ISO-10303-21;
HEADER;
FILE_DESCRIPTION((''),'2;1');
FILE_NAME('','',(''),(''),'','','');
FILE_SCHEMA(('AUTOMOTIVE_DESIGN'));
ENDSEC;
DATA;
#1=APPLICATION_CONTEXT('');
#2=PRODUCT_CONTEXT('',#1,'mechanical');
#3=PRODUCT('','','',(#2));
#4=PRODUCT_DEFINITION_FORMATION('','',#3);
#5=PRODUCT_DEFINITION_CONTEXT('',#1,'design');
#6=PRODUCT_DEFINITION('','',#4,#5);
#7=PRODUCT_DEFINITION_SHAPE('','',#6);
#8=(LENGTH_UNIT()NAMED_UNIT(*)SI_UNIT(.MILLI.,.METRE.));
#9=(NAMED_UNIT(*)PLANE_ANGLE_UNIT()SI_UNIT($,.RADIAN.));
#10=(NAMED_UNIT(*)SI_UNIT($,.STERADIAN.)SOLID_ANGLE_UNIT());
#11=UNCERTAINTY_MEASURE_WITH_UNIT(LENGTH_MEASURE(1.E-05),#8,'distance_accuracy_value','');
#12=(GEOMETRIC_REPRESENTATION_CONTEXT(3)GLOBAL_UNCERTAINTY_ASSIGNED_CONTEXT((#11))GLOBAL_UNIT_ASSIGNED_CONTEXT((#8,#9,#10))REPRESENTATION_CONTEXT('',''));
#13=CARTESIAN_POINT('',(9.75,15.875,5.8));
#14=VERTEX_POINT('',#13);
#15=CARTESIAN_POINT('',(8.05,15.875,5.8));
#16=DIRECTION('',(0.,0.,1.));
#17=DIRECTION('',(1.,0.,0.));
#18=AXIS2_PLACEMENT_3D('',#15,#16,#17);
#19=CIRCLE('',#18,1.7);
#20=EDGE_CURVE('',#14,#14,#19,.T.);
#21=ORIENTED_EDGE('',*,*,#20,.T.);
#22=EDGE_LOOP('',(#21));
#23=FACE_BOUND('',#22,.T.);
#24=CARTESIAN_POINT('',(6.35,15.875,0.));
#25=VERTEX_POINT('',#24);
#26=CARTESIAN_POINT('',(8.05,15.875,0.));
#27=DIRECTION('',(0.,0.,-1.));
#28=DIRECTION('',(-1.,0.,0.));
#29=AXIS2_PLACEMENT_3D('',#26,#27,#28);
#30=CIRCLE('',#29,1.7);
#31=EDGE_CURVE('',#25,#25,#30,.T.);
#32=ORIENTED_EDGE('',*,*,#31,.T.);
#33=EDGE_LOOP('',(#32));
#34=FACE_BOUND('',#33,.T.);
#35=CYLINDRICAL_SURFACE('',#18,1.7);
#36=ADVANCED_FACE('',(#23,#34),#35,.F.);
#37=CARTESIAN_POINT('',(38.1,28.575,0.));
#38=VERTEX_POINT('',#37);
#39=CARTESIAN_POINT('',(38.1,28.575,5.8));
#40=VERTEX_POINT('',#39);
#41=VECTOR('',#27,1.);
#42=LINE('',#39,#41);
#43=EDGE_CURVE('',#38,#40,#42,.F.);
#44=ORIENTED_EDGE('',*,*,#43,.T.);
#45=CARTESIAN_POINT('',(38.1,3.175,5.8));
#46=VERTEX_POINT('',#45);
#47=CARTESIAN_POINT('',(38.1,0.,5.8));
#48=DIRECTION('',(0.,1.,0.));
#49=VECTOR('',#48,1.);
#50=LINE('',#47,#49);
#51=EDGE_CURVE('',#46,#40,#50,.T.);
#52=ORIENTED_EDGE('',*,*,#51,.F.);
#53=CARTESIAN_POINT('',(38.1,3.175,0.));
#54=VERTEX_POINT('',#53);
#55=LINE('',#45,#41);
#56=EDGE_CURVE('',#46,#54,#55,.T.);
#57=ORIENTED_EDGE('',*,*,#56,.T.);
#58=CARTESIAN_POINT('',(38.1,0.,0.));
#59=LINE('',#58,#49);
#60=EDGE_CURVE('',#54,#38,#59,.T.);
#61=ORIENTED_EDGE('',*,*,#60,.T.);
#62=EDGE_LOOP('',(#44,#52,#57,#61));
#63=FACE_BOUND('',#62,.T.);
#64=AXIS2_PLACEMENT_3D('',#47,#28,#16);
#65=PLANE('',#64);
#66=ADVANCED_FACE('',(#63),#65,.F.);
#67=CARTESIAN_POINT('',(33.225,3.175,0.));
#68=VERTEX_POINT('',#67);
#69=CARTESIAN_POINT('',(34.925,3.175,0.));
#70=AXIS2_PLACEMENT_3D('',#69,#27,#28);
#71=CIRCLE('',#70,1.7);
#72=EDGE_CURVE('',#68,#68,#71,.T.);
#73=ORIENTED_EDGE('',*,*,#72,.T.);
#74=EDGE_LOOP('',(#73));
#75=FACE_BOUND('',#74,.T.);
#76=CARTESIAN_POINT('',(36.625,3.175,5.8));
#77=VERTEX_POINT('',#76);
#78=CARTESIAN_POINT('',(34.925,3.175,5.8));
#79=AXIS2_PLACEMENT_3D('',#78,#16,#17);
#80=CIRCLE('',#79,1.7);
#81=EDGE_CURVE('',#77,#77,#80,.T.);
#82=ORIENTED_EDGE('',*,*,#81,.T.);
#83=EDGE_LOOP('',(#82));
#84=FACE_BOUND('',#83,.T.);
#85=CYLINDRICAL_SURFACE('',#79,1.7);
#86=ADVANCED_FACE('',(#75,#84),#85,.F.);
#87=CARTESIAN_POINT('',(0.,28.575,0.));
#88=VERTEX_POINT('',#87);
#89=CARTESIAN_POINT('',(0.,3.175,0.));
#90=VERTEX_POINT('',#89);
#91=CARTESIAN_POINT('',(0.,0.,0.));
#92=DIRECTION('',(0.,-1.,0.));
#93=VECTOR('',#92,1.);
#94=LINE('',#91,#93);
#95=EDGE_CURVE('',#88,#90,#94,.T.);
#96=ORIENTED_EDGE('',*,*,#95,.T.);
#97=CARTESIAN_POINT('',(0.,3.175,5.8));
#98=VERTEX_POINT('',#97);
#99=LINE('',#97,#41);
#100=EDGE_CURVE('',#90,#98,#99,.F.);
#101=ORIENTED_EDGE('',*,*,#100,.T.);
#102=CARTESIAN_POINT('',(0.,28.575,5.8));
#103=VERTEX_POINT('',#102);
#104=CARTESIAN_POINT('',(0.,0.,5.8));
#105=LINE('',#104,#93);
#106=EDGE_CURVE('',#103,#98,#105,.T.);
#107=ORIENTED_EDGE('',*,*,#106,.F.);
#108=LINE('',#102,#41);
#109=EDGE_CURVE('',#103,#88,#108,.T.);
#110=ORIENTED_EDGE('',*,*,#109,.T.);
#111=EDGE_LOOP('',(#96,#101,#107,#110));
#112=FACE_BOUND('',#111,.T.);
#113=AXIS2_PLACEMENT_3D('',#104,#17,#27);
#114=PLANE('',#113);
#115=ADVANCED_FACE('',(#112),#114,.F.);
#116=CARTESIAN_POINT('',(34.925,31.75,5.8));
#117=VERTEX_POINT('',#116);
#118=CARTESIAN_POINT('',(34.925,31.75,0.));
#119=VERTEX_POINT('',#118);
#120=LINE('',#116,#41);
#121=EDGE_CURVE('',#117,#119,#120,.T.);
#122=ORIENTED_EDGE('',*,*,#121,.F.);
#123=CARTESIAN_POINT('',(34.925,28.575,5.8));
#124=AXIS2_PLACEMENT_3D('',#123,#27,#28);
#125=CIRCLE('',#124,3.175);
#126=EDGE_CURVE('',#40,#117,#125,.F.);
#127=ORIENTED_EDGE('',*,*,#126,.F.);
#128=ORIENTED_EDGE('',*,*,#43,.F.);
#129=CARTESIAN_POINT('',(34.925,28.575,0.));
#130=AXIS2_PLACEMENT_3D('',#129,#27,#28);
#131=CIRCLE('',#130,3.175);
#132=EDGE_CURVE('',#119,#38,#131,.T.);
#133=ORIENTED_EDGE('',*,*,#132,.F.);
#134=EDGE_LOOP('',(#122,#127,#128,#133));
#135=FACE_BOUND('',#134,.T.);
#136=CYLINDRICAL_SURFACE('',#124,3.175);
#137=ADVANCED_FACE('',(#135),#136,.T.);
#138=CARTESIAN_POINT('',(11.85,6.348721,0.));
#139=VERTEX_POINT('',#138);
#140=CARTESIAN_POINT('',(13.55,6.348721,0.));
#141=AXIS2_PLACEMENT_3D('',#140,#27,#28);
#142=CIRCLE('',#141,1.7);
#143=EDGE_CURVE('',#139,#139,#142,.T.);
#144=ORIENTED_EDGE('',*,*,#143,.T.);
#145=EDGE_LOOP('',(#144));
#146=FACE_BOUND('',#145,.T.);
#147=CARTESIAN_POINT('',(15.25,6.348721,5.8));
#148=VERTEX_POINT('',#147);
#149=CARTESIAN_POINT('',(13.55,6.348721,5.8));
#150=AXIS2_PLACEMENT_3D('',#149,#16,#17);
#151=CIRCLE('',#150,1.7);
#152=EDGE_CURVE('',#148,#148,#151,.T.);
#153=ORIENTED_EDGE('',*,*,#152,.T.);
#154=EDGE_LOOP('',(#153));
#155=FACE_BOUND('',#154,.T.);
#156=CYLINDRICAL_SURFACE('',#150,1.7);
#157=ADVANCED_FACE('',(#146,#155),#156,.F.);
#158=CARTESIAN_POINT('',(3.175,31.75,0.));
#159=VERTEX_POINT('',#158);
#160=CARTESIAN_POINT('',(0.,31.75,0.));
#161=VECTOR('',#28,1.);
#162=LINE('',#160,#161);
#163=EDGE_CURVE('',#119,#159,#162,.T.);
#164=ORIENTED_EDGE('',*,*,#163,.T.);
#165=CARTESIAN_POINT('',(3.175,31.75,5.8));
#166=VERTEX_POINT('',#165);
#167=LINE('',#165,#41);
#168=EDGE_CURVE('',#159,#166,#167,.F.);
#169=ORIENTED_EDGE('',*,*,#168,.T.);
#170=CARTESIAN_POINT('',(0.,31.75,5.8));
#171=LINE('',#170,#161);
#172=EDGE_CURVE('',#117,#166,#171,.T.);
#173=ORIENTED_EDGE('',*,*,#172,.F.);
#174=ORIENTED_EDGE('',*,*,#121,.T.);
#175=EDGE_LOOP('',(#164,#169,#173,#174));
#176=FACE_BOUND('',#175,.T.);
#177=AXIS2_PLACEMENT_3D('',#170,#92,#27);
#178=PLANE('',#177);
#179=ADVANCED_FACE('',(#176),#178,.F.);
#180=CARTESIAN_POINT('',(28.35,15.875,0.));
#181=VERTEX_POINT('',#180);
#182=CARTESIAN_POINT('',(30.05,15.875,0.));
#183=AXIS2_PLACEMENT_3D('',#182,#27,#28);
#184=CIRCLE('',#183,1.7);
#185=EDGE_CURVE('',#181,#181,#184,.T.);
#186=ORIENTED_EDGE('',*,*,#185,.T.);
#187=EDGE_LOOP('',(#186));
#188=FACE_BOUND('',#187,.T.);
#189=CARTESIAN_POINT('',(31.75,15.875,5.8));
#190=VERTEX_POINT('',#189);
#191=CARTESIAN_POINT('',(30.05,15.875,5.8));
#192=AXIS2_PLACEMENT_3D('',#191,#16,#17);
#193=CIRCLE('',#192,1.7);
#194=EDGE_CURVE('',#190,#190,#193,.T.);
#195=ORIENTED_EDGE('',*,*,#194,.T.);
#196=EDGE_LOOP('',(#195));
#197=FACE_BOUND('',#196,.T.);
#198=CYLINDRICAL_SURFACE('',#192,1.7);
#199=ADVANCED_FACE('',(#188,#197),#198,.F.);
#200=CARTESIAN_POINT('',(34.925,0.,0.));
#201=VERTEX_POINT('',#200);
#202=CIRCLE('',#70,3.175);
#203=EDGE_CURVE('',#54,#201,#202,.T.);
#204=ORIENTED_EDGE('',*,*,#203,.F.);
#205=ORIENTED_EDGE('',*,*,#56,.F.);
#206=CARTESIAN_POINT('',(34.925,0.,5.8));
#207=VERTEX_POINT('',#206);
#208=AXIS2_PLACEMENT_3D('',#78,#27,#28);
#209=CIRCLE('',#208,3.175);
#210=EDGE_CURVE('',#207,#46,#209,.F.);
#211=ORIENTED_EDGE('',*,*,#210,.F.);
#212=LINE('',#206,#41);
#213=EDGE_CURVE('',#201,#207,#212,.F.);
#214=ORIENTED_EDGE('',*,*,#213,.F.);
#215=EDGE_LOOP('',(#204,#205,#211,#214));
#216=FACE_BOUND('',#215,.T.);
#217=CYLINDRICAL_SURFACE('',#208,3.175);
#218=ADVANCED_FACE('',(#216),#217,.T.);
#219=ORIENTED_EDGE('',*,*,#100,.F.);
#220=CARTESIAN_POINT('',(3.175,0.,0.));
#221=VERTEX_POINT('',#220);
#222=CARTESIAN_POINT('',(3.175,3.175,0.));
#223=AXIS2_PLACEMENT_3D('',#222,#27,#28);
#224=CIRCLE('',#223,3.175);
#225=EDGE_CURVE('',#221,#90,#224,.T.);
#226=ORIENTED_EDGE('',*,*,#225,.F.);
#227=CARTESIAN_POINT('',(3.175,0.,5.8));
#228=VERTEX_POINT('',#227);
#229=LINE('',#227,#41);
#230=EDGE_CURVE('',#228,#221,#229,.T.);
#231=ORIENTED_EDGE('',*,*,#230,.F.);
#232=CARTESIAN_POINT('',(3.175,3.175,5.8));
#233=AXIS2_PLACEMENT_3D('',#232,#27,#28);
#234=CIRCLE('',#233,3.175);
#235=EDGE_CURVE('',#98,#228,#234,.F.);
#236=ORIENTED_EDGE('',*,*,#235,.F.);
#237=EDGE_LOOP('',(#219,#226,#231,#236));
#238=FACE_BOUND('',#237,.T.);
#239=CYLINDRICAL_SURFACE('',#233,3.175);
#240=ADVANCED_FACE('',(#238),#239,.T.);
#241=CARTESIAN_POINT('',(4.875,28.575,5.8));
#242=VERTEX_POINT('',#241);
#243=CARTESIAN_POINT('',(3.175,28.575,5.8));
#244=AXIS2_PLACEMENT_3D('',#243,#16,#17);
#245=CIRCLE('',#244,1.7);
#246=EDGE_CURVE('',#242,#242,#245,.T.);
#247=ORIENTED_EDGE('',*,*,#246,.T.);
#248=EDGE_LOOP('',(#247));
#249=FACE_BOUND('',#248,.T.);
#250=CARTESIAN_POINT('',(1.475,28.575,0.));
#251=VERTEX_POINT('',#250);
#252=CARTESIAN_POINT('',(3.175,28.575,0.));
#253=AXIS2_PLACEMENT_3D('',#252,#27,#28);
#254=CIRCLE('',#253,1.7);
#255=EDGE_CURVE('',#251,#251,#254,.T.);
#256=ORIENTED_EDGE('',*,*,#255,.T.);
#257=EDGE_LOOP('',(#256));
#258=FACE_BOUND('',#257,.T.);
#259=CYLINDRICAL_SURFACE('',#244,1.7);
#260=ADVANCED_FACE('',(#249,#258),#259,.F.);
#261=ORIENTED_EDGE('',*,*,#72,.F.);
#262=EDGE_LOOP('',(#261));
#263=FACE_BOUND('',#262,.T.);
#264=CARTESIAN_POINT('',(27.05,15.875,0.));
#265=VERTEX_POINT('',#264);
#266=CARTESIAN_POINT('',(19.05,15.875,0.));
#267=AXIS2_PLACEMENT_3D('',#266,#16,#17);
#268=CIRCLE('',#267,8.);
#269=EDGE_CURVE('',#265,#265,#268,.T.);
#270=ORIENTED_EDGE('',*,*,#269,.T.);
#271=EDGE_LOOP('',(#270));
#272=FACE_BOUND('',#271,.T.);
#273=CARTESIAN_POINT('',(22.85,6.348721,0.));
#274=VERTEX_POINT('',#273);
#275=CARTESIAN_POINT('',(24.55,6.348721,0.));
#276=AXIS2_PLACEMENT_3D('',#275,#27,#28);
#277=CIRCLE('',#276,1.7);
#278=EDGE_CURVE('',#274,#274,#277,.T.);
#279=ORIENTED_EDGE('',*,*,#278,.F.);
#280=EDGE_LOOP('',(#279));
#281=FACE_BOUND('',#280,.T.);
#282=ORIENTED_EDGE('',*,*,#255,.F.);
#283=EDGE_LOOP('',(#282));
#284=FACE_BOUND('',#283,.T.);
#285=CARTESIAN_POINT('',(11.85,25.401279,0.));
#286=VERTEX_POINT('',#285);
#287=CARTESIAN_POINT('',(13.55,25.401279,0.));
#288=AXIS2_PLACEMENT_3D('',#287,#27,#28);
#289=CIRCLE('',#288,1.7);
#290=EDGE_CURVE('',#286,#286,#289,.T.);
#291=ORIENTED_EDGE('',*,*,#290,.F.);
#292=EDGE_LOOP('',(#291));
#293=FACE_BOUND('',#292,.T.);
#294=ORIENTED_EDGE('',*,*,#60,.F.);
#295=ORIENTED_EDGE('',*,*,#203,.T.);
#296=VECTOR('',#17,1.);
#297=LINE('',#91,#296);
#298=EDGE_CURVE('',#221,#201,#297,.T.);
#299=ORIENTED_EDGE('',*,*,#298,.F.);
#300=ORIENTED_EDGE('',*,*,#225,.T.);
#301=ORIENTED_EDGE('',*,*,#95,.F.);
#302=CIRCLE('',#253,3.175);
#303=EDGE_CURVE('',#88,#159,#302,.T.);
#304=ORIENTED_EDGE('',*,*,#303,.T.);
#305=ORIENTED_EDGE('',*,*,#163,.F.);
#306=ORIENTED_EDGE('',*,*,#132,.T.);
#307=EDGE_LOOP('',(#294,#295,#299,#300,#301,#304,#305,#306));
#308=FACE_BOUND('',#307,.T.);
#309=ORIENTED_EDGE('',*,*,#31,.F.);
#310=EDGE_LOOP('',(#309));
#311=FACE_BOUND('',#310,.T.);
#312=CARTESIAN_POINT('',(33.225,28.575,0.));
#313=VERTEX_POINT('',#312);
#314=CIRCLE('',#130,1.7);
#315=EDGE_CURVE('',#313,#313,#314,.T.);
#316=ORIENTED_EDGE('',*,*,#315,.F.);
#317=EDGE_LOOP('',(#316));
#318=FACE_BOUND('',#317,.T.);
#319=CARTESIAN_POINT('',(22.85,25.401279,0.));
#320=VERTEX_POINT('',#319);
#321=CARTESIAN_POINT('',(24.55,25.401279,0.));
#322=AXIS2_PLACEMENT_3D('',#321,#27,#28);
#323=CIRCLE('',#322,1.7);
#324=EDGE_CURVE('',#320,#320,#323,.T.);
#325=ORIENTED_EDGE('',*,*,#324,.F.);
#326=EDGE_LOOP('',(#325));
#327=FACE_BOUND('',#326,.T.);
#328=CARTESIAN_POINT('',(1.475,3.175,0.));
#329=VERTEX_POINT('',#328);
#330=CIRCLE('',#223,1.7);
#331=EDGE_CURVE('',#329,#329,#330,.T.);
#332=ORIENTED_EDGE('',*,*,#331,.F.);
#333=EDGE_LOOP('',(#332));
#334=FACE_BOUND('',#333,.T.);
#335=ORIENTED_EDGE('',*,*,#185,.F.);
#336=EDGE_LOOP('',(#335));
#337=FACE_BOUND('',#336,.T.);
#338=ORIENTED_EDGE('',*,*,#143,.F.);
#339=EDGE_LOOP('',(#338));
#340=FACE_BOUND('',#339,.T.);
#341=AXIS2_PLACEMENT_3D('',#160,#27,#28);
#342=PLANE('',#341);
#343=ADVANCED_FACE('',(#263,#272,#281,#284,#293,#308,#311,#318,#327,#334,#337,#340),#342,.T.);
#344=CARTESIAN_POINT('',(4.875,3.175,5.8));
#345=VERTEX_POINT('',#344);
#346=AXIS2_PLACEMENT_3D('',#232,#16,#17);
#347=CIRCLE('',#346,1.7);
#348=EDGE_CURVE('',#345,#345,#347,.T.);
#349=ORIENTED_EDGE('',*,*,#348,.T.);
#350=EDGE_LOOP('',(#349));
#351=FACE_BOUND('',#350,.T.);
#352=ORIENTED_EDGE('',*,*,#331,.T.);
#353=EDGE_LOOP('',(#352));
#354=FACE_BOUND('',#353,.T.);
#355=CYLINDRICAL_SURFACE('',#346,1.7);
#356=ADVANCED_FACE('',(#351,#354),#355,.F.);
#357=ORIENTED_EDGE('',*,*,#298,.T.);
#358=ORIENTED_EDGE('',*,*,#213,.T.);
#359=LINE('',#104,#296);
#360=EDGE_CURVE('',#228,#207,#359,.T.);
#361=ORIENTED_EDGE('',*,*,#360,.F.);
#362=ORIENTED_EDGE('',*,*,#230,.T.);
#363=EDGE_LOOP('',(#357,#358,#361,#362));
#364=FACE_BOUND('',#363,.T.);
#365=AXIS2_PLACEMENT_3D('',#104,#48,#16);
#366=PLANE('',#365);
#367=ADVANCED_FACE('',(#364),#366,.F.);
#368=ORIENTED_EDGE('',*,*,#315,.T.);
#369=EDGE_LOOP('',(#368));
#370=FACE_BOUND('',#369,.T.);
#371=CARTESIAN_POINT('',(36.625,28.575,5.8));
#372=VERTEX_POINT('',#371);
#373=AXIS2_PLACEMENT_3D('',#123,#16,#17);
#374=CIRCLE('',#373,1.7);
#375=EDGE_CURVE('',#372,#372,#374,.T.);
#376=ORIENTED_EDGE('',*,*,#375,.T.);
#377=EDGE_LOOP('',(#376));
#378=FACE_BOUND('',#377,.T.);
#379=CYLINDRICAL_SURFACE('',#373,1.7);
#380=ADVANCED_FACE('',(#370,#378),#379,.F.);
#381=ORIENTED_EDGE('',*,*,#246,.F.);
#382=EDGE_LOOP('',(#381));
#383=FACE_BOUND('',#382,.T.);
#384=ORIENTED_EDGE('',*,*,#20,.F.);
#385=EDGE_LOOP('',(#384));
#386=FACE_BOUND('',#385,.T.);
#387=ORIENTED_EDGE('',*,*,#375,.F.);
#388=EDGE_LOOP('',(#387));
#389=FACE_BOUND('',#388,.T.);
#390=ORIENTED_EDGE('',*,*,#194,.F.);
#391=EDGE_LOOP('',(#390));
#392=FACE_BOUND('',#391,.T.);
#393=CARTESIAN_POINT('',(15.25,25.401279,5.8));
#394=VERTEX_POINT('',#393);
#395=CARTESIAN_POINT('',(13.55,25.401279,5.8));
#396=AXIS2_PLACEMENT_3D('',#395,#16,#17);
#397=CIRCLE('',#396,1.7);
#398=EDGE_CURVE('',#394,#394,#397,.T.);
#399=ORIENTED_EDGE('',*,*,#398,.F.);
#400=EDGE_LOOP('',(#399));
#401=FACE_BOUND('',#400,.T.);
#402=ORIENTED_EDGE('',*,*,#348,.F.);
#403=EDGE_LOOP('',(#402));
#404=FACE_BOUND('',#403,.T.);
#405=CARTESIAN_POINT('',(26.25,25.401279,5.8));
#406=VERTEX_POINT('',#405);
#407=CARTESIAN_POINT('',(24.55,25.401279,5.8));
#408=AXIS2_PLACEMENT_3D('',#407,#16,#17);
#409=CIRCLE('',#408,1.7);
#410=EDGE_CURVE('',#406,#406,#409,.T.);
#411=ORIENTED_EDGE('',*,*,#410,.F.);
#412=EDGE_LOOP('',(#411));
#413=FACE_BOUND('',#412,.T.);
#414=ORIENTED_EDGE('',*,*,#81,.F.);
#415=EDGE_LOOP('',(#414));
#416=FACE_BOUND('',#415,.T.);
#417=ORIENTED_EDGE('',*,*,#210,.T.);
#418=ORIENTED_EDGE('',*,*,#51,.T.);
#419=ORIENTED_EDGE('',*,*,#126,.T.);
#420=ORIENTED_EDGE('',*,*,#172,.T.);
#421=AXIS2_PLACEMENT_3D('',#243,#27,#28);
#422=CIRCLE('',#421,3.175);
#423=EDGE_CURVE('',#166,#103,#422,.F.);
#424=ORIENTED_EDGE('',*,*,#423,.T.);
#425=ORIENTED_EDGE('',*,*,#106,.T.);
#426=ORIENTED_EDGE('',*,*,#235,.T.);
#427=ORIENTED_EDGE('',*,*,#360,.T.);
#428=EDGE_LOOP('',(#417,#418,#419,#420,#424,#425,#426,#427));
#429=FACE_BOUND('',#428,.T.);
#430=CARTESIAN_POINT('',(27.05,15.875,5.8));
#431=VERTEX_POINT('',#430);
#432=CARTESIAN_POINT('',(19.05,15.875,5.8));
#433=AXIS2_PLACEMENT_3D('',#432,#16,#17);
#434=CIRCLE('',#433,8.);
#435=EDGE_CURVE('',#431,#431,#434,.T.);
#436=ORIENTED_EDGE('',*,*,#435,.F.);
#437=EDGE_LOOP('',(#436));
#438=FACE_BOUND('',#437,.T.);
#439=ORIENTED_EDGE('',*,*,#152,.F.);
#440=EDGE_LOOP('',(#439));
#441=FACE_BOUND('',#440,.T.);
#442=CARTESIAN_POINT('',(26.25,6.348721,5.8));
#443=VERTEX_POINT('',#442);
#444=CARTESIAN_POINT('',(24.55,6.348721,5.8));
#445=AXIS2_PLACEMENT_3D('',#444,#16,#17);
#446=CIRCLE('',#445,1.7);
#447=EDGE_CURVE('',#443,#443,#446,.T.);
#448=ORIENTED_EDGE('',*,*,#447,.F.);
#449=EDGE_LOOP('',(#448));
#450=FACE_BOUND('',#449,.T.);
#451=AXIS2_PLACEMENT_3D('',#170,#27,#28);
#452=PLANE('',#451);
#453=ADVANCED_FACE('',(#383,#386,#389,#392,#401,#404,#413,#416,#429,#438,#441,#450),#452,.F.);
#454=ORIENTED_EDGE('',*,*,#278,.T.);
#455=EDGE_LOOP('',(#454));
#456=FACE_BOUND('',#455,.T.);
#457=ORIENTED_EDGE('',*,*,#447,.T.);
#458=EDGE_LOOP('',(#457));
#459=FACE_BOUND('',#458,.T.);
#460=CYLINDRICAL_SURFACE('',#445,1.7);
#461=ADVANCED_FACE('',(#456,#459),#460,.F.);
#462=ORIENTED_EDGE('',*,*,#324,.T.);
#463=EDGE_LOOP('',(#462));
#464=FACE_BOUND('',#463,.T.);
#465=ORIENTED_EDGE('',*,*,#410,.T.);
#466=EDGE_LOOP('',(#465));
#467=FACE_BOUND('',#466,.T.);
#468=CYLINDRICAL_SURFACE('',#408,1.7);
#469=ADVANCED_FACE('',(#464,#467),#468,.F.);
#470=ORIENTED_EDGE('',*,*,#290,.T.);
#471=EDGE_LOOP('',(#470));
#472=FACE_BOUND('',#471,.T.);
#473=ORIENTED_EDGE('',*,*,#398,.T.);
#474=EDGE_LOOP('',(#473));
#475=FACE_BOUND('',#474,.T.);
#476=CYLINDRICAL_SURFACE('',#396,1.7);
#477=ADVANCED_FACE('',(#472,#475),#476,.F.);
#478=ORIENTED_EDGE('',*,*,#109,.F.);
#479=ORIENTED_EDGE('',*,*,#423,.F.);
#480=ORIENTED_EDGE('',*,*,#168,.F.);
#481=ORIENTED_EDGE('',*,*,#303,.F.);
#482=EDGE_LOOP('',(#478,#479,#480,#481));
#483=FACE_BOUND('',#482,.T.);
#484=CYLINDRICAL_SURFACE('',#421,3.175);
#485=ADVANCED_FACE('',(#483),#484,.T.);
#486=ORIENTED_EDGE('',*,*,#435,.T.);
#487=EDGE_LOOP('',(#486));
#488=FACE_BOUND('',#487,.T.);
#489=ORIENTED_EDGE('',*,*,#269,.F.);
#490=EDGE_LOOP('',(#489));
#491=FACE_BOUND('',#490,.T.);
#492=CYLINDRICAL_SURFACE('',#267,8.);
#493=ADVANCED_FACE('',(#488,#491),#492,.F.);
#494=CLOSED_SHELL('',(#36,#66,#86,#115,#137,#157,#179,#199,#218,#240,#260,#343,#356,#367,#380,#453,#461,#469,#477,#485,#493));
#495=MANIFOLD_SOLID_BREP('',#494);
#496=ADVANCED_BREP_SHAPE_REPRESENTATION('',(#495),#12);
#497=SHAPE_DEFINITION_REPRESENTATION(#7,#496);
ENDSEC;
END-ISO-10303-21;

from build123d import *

# Parameters (mm, degrees)
SKETCH1_W                = 38.1
SKETCH1_H                = 31.75
BOSS_EXTRUDE1_DEPTH      = 5.8
SKETCH2_R                = 8
CUT_EXTRUDE1_DEPTH       = 50.933080217
M3_CLEARANCE_HOLE1_D     = 3.4
M3_CLEARANCE_HOLE1_DEPTH = 6.35
M3_CLEARANCE_HOLE1_TIP   = 1.021463052
M3_CLEARANCE_HOLE2_D     = 3.4
M3_CLEARANCE_HOLE2_DEPTH = 6.35
M3_CLEARANCE_HOLE2_TIP   = 1.021463052
FILLET1_R                = 3.175


with BuildPart() as part:
    # Sketch1 → Boss-Extrude1 (new body)
    with BuildSketch(Plane.XY):
        with Locations((19.05, 15.875)):
            Rectangle(SKETCH1_W, SKETCH1_H)
    extrude(amount=BOSS_EXTRUDE1_DEPTH)

    # Sketch2 → Cut-Extrude1 (cut, through all)
    with BuildSketch(Plane.XY.offset(5.8)):
        with Locations((19.05, 15.875)):
            Circle(SKETCH2_R)
    extrude(amount=-CUT_EXTRUDE1_DEPTH, mode=Mode.SUBTRACT)

    # M3 Clearance Hole1
    with Locations(Plane.XY.offset(5.8)):
        with Locations((30.05, 15.875), (24.55, 25.401279442), (13.55, 25.401279442), (8.05, 15.875), (13.55, 6.348720558), (24.55, 6.348720558)):
            Hole(M3_CLEARANCE_HOLE1_D / 2, depth=M3_CLEARANCE_HOLE1_DEPTH)
            with Locations((0, 0, -(M3_CLEARANCE_HOLE1_DEPTH + M3_CLEARANCE_HOLE1_TIP / 2))):  # 118° drill point
                Cone(0, M3_CLEARANCE_HOLE1_D / 2, M3_CLEARANCE_HOLE1_TIP, mode=Mode.SUBTRACT)

    # M3 Clearance Hole2
    with Locations(Plane.XY.offset(5.8)):
        with Locations((3.175, 28.575), (34.925, 28.575), (34.925, 3.175), (3.175, 3.175)):
            Hole(M3_CLEARANCE_HOLE2_D / 2, depth=M3_CLEARANCE_HOLE2_DEPTH)
            with Locations((0, 0, -(M3_CLEARANCE_HOLE2_DEPTH + M3_CLEARANCE_HOLE2_TIP / 2))):  # 118° drill point
                Cone(0, M3_CLEARANCE_HOLE2_D / 2, M3_CLEARANCE_HOLE2_TIP, mode=Mode.SUBTRACT)

    # Fillet1
    fillet1_edges = [part.edges().sort_by_distance(p)[0] for p in [
        (0, 31.75, 2.9),
        (38.1, 31.75, 2.9),
        (38.1, 0, 2.9),
        (0, 0, 2.9),
    ]]
    fillet(fillet1_edges, radius=FILLET1_R)


solid = part.part
